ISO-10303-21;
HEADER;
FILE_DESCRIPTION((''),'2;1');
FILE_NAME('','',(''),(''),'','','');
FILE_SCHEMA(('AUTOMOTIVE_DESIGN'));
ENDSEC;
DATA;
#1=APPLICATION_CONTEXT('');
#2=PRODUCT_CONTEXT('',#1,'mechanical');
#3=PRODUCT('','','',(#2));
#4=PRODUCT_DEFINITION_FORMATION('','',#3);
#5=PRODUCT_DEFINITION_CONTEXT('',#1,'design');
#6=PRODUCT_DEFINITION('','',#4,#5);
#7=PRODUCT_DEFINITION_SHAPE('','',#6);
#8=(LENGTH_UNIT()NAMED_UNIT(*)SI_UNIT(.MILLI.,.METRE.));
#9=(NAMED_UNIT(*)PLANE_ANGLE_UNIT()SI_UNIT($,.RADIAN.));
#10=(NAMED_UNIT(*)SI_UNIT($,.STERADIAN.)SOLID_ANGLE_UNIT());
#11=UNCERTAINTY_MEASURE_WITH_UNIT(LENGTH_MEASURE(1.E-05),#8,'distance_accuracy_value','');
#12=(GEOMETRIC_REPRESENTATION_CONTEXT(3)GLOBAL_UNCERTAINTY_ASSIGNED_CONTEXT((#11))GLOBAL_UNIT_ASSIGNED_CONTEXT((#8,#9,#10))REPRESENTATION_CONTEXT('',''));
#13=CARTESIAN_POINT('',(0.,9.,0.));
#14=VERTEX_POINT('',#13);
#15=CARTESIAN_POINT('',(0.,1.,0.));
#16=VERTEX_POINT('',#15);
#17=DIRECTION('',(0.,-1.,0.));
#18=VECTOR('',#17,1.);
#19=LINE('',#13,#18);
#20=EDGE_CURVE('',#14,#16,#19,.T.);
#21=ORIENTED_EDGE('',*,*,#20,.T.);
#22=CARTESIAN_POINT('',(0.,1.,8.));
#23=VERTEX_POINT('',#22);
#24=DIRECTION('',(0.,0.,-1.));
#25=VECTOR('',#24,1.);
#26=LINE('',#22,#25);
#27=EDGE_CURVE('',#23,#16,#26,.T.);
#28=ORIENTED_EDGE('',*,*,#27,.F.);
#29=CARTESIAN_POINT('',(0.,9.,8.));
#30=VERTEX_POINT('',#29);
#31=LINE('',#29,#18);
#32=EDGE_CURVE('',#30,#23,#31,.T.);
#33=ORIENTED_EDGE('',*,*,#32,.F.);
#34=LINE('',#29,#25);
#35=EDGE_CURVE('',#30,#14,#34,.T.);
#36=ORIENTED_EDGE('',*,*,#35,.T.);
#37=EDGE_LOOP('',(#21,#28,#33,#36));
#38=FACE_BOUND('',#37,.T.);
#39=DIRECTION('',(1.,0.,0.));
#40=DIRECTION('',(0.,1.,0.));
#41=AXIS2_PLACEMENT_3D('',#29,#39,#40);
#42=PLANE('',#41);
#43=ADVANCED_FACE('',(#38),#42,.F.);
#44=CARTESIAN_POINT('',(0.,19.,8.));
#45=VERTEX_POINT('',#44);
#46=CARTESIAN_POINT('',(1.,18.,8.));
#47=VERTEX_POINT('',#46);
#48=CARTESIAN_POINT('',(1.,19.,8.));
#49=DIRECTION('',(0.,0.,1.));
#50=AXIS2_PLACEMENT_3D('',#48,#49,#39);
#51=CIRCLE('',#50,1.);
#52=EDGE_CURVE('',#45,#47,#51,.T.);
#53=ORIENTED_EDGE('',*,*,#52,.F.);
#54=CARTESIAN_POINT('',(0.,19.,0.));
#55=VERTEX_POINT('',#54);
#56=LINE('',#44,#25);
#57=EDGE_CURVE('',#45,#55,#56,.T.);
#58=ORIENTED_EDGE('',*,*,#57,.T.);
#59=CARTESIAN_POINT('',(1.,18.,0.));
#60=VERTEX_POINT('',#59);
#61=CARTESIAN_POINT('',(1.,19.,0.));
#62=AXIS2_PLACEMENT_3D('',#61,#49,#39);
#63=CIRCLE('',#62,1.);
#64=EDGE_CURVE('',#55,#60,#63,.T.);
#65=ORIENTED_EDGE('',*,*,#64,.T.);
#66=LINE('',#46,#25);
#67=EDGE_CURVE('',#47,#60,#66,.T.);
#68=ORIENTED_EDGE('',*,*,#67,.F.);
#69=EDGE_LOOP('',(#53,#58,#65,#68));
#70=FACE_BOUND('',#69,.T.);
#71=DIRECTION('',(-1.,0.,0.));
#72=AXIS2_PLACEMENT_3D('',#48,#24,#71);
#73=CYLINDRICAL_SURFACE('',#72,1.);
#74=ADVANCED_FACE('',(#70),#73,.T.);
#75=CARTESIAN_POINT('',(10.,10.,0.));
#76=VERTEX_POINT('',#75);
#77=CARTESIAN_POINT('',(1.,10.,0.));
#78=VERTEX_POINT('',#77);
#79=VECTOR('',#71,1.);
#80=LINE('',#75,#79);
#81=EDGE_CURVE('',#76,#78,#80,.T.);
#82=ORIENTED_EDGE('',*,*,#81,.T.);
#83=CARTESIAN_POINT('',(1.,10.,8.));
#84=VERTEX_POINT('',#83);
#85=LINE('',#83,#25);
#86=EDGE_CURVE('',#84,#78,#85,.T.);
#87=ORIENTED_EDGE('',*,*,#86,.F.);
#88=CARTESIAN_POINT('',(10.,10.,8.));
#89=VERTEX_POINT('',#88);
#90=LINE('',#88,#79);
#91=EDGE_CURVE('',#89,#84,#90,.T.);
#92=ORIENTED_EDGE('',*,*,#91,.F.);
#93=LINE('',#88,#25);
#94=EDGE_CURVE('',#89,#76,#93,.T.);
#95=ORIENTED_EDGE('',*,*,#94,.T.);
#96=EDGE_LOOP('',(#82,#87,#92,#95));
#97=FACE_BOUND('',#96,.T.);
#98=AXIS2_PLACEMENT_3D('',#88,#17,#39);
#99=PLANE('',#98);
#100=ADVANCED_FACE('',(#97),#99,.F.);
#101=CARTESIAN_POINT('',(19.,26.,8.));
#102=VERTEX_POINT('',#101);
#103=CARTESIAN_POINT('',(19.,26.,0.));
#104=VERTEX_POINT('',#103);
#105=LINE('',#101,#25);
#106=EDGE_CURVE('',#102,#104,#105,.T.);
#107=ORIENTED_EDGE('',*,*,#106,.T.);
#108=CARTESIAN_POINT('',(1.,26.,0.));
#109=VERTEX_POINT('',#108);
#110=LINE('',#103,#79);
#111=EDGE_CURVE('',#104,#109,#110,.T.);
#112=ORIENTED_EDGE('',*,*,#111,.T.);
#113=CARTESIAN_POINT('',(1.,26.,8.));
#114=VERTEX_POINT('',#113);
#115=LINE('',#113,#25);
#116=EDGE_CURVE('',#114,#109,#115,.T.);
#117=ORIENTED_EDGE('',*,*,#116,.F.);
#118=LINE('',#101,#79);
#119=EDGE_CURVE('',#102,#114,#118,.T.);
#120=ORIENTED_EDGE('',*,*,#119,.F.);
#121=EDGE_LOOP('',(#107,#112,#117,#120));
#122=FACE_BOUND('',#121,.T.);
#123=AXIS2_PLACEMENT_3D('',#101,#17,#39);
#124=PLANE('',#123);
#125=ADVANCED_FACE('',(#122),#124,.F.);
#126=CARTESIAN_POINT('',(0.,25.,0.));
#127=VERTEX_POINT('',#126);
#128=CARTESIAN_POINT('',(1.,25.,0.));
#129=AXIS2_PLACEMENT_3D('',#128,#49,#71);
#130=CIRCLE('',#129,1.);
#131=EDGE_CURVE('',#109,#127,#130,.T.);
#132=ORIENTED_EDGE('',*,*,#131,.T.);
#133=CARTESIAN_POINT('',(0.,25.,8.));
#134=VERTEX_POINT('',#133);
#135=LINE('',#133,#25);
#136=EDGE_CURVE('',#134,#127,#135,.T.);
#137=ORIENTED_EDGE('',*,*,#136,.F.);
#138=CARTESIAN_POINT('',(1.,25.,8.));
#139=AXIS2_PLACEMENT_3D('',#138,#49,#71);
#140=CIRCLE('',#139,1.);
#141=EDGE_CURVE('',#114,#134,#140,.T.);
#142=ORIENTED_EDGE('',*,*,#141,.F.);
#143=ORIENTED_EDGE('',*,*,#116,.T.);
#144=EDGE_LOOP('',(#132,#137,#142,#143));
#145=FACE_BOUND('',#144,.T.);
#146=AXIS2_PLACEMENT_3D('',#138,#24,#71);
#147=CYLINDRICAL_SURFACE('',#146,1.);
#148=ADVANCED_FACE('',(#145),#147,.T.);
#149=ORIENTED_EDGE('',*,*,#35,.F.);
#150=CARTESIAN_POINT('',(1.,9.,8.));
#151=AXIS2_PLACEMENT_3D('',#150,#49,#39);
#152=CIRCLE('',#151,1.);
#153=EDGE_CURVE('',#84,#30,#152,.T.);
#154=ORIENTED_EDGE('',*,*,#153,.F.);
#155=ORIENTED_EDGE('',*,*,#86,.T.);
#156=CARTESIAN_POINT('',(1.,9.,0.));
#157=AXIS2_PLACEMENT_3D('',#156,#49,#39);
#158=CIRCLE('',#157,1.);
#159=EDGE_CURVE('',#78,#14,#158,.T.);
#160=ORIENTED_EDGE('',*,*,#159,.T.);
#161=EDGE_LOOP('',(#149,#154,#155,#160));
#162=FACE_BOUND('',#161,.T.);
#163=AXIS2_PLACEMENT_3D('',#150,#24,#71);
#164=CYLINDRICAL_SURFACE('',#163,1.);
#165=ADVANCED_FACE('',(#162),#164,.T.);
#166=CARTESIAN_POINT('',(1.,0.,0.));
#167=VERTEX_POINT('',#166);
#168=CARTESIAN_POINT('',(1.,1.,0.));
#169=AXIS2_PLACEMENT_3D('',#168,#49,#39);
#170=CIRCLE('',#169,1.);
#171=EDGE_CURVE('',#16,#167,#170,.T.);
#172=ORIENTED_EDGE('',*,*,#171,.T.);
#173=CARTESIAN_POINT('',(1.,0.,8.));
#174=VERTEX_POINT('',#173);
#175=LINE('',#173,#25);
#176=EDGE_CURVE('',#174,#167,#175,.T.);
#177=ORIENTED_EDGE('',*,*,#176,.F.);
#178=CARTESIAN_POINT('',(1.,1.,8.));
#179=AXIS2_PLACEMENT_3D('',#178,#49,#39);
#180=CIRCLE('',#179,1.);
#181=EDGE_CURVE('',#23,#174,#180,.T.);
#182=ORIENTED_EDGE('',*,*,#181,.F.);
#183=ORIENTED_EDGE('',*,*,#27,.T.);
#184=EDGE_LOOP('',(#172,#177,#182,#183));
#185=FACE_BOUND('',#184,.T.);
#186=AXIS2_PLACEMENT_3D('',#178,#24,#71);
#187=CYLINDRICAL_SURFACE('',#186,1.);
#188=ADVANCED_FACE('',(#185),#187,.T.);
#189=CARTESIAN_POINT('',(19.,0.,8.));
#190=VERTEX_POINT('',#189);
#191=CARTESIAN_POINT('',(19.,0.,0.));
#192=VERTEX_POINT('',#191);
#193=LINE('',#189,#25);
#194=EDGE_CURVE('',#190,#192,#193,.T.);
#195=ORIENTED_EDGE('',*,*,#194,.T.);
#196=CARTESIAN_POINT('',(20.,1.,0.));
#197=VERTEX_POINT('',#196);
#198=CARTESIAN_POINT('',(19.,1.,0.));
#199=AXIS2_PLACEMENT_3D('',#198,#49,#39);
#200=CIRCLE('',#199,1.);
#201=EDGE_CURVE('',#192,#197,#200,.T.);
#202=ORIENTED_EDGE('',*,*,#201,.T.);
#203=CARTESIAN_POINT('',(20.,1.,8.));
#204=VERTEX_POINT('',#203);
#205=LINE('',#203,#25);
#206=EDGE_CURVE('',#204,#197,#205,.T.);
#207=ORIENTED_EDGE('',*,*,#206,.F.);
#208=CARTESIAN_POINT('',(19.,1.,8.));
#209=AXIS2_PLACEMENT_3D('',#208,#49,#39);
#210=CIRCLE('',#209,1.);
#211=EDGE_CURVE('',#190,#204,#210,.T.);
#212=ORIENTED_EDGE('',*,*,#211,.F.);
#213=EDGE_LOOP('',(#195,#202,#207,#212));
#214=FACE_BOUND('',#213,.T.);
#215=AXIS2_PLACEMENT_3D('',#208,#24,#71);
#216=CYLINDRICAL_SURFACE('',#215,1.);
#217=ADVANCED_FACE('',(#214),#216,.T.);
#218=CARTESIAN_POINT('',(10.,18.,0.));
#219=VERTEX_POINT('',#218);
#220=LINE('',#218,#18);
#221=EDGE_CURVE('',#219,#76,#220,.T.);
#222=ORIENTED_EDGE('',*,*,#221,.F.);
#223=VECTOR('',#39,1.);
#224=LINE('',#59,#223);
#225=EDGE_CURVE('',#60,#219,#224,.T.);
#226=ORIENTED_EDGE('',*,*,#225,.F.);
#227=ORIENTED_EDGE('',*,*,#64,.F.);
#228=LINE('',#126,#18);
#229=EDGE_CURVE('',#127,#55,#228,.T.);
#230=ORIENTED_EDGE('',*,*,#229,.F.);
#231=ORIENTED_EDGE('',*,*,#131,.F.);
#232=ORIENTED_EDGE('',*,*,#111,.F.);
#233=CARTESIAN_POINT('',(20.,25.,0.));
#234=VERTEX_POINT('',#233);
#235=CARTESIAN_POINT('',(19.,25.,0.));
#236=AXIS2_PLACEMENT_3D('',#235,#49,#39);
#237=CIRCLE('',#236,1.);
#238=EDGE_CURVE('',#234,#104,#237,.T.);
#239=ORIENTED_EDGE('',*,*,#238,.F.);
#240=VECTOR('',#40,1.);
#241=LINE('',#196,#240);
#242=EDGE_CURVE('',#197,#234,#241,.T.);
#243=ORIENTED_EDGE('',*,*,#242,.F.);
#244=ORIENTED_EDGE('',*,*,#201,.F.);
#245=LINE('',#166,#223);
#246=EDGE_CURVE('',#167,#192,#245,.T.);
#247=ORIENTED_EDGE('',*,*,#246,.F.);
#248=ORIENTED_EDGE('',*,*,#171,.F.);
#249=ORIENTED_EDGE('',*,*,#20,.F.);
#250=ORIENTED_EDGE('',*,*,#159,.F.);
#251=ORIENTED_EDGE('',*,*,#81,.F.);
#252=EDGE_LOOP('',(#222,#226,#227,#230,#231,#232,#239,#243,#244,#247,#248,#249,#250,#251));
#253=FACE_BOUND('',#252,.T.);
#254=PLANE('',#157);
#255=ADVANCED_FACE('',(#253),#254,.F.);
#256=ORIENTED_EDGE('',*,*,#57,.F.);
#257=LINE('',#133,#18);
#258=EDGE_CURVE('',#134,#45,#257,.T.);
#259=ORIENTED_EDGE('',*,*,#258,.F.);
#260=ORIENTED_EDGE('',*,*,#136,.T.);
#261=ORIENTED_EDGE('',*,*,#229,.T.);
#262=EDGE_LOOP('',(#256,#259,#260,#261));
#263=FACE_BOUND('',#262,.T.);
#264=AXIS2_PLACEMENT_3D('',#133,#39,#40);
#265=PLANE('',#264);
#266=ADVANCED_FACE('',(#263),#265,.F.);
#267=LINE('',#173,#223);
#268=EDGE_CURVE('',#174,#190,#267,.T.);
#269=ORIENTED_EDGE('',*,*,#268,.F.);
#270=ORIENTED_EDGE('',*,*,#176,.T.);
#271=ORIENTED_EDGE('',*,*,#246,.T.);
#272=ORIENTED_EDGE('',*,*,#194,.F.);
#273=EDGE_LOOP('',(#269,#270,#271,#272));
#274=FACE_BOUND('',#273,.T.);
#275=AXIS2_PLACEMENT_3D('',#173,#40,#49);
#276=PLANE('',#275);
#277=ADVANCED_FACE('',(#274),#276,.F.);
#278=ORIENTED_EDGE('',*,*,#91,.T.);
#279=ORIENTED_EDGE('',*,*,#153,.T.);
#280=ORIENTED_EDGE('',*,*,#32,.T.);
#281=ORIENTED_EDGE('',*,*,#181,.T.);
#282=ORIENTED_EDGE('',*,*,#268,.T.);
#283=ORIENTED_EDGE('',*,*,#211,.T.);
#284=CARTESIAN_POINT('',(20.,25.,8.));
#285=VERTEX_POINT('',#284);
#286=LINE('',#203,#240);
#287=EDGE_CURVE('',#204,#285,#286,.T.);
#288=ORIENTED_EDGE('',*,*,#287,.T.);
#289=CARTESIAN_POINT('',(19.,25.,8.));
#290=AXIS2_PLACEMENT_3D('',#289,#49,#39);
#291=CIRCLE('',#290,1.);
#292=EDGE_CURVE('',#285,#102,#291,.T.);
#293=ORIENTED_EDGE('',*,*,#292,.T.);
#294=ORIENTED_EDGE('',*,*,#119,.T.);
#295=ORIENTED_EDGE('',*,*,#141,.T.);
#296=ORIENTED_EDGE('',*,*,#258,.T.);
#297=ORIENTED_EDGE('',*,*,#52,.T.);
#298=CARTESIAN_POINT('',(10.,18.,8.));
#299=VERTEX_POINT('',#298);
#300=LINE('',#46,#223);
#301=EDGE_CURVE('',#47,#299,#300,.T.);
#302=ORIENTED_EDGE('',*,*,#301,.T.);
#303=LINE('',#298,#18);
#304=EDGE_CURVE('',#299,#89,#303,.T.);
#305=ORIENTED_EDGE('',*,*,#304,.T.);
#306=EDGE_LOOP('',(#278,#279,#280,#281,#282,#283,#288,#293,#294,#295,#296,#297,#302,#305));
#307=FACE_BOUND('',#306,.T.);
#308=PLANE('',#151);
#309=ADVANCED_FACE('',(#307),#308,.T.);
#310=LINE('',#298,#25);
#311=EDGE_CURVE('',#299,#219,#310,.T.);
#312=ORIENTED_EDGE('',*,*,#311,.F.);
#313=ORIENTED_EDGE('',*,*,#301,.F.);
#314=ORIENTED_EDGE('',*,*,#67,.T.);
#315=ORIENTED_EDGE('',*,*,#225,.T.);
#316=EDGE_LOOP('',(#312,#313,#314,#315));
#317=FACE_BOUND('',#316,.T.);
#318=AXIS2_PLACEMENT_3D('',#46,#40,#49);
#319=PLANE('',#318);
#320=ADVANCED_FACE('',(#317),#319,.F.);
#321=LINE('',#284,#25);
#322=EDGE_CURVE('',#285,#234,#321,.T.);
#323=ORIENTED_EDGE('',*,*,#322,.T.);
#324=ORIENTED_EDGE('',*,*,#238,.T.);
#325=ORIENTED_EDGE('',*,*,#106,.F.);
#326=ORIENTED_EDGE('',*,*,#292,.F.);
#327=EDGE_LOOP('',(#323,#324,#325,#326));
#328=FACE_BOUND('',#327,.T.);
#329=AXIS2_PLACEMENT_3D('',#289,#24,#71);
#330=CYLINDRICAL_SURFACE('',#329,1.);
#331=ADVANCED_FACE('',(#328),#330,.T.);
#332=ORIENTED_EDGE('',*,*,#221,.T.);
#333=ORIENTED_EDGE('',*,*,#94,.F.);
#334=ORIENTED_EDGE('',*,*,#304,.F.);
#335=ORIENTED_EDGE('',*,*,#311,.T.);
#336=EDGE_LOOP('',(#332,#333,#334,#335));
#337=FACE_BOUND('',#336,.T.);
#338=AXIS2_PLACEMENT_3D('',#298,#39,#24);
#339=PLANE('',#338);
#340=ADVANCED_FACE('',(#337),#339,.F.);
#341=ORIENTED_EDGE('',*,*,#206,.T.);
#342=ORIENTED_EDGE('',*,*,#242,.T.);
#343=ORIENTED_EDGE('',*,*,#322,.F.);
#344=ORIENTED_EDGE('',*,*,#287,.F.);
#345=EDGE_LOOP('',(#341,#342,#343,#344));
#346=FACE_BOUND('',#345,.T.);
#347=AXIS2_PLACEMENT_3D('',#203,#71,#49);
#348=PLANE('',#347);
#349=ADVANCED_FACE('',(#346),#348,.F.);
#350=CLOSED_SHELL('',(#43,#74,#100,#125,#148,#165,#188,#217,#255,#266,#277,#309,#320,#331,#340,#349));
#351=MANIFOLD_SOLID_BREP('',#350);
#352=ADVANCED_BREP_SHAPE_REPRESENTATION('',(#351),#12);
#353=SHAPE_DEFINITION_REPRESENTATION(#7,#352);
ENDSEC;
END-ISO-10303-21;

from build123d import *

# Parameters (mm, degrees)
BOSS_EXTRUDE1_DEPTH = 8


with BuildPart() as part:
    # Sketch1 → Boss-Extrude1 (new body)
    with BuildSketch(Plane.XY):
        with BuildLine():
            Line((1, 0), (19, 0))
            ThreePointArc((19, 0), (19.707106781, 0.292893219), (20, 1))
            Line((20, 1), (20, 25))
            ThreePointArc((20, 25), (19.707106781, 25.707106781), (19, 26))
            Line((19, 26), (1, 26))
            ThreePointArc((1, 26), (0.292893219, 25.707106781), (0, 25))
            Line((0, 25), (0, 19))
            ThreePointArc((0, 19), (0.292893219, 18.292893219), (1, 18))
            Line((1, 18), (10, 18))
            Line((10, 18), (10, 10))
            Line((10, 10), (1, 10))
            ThreePointArc((1, 10), (0.292893219, 9.707106781), (0, 9))
            Line((0, 9), (0, 1))
            ThreePointArc((0, 1), (0.292893219, 0.292893219), (1, 0))
        make_face()
    extrude(amount=BOSS_EXTRUDE1_DEPTH)


solid = part.part
